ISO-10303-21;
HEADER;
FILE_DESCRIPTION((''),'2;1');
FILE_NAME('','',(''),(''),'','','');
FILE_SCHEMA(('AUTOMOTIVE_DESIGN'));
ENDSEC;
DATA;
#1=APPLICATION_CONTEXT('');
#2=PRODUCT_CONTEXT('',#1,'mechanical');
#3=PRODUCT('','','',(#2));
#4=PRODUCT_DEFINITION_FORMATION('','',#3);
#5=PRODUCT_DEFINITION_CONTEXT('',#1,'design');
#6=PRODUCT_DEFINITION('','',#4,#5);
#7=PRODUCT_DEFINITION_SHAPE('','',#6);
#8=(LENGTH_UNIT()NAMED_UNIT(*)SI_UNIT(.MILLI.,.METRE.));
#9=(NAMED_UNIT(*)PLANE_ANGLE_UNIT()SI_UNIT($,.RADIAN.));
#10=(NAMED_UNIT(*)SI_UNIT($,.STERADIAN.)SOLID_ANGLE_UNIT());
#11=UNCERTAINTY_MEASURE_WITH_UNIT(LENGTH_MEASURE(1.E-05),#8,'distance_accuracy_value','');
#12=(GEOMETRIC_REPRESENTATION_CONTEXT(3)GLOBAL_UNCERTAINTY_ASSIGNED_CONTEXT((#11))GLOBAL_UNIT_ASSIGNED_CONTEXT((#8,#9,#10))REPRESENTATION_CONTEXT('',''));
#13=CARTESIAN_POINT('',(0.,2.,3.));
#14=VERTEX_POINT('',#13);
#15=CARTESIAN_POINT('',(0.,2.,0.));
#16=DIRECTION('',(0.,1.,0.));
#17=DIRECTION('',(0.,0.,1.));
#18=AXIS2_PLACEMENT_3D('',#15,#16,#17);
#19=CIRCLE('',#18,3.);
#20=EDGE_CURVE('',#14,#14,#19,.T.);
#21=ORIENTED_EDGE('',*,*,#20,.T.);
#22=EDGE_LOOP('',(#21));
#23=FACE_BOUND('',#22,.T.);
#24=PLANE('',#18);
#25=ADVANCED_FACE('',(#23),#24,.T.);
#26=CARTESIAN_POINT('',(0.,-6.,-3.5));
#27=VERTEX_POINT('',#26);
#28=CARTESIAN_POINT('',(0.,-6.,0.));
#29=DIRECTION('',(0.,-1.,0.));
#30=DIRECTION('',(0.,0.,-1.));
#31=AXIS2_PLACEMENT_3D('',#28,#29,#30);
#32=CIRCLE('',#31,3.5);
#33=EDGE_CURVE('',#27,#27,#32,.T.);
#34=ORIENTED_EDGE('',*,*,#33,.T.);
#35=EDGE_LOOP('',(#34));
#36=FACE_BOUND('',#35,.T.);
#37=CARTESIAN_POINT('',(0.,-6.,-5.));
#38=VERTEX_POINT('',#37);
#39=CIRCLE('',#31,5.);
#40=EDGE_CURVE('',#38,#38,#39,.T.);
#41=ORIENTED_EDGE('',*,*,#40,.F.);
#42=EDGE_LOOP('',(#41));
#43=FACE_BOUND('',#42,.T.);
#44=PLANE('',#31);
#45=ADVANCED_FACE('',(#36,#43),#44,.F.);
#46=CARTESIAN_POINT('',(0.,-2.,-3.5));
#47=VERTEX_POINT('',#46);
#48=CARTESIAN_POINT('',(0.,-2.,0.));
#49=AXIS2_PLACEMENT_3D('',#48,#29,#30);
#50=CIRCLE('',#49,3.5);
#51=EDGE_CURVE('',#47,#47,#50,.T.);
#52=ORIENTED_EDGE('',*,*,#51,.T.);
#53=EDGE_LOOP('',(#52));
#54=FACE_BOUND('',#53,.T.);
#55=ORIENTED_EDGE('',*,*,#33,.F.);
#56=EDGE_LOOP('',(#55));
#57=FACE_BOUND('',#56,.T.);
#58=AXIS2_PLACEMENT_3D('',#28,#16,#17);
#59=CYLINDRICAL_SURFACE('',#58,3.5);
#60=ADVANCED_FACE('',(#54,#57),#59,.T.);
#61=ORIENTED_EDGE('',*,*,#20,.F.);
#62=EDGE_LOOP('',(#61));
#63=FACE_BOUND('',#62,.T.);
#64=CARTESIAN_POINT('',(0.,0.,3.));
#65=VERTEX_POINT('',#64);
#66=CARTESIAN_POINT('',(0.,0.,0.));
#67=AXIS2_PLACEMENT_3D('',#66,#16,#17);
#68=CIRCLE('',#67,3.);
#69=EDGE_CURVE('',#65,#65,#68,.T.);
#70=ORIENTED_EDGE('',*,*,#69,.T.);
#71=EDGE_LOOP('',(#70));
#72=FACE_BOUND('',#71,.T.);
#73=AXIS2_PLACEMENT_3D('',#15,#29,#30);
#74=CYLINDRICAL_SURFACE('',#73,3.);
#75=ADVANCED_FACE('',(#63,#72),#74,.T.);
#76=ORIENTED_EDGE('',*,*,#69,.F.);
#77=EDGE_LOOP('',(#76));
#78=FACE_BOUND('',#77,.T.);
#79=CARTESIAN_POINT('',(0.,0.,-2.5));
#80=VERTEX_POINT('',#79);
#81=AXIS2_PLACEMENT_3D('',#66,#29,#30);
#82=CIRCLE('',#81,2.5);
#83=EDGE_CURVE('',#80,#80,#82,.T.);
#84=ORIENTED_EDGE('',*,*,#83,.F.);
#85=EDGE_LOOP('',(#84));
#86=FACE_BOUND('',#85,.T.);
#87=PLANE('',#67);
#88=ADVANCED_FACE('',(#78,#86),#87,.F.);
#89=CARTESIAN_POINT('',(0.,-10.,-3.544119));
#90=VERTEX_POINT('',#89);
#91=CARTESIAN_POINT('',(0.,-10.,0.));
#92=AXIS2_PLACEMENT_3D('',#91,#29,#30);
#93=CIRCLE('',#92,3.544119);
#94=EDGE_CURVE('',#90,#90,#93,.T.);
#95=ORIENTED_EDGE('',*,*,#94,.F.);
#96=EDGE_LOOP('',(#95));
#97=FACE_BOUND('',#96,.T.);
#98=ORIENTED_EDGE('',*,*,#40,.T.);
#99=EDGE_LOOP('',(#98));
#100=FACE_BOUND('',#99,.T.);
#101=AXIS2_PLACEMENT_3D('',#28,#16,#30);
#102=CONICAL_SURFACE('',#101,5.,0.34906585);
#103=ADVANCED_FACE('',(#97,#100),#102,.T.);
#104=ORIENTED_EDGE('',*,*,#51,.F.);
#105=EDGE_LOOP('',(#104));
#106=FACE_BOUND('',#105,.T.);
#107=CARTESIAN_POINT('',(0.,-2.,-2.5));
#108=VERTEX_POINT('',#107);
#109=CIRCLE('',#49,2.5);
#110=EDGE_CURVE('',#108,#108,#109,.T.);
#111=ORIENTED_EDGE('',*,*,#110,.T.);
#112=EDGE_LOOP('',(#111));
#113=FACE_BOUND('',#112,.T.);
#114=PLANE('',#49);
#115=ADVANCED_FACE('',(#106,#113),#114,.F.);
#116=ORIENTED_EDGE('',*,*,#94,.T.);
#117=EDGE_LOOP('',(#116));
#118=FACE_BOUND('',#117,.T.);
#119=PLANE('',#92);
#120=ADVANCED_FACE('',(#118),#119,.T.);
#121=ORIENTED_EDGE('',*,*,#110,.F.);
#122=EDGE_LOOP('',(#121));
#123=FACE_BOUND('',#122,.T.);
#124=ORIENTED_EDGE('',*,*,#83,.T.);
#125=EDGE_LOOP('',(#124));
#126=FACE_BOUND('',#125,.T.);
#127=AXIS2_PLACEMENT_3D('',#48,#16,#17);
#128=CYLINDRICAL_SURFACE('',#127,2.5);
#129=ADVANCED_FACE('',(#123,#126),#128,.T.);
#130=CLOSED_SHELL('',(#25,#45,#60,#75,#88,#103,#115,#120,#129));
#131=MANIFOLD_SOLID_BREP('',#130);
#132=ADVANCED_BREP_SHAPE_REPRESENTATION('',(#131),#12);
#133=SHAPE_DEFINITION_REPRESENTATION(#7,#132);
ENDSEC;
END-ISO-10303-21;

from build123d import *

# Parameters (mm, degrees)
SKETCH1_R           = 3
BOSS_EXTRUDE1_DEPTH = 2
SKETCH2_R           = 2.5
BOSS_EXTRUDE2_DEPTH = 2
SKETCH3_R           = 3.5
BOSS_EXTRUDE3_DEPTH = 4
SKETCH4_R           = 5
BOSS_EXTRUDE4_DEPTH = 4
BOSS_EXTRUDE4_TAPER = 20


with BuildPart() as part:
    # Sketch1 → Boss-Extrude1 (new body)
    with BuildSketch(Plane(origin=(0, 0, 0), x_dir=(1, 0, 0), z_dir=(0, 1, 0))):
        Circle(SKETCH1_R)
    extrude(amount=BOSS_EXTRUDE1_DEPTH)

    # Sketch2 → Boss-Extrude2 (add)
    with BuildSketch(Plane.XZ):
        Circle(SKETCH2_R)
    extrude(amount=BOSS_EXTRUDE2_DEPTH)

    # Sketch3 → Boss-Extrude3 (add)
    with BuildSketch(Plane.XZ.offset(2)):
        Circle(SKETCH3_R)
    extrude(amount=BOSS_EXTRUDE3_DEPTH)

    # Sketch4 → Boss-Extrude4 (add)
    with BuildSketch(Plane.XZ.offset(6)):
        Circle(SKETCH4_R)
    extrude(amount=BOSS_EXTRUDE4_DEPTH, taper=BOSS_EXTRUDE4_TAPER)


solid = part.part
